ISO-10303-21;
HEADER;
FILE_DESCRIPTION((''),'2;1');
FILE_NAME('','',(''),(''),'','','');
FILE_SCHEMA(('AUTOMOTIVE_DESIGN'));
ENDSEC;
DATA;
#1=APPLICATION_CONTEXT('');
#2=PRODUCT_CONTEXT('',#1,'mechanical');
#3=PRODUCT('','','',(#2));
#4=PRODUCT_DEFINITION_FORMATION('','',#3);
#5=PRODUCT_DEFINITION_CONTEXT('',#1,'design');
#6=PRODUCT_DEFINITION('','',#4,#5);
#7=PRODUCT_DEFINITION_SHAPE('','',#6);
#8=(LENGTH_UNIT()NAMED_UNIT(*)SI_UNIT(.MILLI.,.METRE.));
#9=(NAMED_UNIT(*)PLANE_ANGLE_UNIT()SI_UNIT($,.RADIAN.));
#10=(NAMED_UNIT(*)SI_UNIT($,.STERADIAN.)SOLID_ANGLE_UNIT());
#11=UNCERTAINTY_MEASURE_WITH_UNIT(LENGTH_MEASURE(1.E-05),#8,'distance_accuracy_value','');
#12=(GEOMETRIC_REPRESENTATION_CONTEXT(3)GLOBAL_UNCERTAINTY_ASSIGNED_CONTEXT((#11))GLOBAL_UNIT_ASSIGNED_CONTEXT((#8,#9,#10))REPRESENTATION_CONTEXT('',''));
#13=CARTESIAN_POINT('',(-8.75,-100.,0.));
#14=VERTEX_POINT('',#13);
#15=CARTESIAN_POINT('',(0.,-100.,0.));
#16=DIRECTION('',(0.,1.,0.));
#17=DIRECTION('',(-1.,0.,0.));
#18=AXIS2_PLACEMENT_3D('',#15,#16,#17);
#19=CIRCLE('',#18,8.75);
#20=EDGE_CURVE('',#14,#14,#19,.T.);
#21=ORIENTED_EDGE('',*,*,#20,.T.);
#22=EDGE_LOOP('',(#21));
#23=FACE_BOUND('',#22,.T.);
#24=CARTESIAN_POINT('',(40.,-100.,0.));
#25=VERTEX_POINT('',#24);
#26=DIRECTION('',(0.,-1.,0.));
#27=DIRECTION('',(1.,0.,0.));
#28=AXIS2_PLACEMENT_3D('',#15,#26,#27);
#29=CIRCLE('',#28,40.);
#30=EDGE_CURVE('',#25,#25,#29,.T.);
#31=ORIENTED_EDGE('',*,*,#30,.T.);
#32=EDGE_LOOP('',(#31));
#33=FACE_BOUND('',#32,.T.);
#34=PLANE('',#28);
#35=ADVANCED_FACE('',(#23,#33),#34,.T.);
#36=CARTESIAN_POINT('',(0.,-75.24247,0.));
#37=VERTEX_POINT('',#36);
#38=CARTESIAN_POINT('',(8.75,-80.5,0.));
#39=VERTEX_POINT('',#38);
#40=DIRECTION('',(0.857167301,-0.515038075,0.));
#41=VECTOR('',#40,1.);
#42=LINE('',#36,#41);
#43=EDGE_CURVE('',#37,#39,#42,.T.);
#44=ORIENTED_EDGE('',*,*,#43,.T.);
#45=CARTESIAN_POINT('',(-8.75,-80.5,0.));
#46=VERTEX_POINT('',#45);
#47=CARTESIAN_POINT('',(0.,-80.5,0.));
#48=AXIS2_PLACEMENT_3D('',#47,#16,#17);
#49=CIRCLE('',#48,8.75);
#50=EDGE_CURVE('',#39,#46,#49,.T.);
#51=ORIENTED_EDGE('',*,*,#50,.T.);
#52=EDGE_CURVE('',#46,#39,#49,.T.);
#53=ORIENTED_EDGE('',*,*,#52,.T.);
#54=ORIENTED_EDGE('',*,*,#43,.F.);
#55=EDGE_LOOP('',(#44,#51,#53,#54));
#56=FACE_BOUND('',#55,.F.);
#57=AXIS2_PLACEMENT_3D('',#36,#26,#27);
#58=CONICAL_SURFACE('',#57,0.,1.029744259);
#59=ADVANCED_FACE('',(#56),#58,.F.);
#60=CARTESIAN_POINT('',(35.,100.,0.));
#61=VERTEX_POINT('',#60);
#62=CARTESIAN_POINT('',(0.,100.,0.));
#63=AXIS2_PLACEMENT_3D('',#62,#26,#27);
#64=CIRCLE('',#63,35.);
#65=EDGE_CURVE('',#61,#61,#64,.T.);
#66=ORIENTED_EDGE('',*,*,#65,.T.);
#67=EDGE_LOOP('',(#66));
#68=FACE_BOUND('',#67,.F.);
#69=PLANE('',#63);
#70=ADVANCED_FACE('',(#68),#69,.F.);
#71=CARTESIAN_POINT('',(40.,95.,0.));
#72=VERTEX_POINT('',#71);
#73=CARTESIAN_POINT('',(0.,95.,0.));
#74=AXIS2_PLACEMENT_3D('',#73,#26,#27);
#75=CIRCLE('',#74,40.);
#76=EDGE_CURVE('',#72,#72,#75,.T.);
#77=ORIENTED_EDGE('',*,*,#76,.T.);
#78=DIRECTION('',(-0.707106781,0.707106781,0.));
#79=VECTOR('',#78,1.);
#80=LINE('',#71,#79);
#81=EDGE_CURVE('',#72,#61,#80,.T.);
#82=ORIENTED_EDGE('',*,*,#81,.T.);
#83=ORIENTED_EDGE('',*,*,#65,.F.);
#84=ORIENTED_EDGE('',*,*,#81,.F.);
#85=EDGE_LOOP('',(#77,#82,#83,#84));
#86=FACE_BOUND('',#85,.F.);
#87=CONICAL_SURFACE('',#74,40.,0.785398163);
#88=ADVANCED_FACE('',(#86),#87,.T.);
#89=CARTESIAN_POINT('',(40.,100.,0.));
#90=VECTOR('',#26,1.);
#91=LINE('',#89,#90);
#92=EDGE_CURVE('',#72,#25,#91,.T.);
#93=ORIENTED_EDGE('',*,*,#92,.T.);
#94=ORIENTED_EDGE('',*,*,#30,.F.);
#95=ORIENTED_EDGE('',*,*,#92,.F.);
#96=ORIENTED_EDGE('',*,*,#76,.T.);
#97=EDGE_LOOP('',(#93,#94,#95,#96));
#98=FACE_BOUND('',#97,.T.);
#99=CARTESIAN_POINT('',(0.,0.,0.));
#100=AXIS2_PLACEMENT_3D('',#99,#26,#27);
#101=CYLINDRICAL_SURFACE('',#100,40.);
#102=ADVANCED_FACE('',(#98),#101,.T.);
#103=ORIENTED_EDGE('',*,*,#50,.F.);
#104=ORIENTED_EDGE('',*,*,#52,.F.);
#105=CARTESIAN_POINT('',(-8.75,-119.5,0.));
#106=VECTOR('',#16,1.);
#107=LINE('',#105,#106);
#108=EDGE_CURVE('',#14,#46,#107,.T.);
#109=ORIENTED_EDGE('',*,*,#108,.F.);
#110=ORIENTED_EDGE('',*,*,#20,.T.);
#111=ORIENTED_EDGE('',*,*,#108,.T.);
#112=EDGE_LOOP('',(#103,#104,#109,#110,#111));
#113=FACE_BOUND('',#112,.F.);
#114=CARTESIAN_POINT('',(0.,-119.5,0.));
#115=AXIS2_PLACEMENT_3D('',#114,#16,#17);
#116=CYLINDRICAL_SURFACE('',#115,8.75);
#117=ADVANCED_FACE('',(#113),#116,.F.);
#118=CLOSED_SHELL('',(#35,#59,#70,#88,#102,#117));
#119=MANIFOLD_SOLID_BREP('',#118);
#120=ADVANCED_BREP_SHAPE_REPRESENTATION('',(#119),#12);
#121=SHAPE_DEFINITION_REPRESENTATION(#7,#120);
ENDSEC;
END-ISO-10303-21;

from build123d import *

# Parameters (mm, degrees)
F0_R     = 40
F1_DEPTH = 100
F2_SIZE  = 5
F4_D     = 17.5
F4_DEPTH = 19.5
F4_TIP   = 5.2575304165


with BuildPart() as f1:
    # F0 (on Front) → F1 (new body, symmetric)
    with BuildSketch(Plane.XZ):
        Circle(F0_R)
    extrude(amount=F1_DEPTH, both=True)

    # F2
    f2_edges = [f1.edges().sort_by_distance(p)[0] for p in [
        (-40, 100, 0),
    ]]
    chamfer(f2_edges, length=F2_SIZE)

    # F4
    with Locations(Plane.XZ.offset(100)):
        with Locations((0, 0)):
            Hole(F4_D / 2, depth=F4_DEPTH)
            with Locations((0, 0, -(F4_DEPTH + F4_TIP / 2))):  # 118° drill point
                Cone(0, F4_D / 2, F4_TIP, mode=Mode.SUBTRACT)


solid = f1.part
